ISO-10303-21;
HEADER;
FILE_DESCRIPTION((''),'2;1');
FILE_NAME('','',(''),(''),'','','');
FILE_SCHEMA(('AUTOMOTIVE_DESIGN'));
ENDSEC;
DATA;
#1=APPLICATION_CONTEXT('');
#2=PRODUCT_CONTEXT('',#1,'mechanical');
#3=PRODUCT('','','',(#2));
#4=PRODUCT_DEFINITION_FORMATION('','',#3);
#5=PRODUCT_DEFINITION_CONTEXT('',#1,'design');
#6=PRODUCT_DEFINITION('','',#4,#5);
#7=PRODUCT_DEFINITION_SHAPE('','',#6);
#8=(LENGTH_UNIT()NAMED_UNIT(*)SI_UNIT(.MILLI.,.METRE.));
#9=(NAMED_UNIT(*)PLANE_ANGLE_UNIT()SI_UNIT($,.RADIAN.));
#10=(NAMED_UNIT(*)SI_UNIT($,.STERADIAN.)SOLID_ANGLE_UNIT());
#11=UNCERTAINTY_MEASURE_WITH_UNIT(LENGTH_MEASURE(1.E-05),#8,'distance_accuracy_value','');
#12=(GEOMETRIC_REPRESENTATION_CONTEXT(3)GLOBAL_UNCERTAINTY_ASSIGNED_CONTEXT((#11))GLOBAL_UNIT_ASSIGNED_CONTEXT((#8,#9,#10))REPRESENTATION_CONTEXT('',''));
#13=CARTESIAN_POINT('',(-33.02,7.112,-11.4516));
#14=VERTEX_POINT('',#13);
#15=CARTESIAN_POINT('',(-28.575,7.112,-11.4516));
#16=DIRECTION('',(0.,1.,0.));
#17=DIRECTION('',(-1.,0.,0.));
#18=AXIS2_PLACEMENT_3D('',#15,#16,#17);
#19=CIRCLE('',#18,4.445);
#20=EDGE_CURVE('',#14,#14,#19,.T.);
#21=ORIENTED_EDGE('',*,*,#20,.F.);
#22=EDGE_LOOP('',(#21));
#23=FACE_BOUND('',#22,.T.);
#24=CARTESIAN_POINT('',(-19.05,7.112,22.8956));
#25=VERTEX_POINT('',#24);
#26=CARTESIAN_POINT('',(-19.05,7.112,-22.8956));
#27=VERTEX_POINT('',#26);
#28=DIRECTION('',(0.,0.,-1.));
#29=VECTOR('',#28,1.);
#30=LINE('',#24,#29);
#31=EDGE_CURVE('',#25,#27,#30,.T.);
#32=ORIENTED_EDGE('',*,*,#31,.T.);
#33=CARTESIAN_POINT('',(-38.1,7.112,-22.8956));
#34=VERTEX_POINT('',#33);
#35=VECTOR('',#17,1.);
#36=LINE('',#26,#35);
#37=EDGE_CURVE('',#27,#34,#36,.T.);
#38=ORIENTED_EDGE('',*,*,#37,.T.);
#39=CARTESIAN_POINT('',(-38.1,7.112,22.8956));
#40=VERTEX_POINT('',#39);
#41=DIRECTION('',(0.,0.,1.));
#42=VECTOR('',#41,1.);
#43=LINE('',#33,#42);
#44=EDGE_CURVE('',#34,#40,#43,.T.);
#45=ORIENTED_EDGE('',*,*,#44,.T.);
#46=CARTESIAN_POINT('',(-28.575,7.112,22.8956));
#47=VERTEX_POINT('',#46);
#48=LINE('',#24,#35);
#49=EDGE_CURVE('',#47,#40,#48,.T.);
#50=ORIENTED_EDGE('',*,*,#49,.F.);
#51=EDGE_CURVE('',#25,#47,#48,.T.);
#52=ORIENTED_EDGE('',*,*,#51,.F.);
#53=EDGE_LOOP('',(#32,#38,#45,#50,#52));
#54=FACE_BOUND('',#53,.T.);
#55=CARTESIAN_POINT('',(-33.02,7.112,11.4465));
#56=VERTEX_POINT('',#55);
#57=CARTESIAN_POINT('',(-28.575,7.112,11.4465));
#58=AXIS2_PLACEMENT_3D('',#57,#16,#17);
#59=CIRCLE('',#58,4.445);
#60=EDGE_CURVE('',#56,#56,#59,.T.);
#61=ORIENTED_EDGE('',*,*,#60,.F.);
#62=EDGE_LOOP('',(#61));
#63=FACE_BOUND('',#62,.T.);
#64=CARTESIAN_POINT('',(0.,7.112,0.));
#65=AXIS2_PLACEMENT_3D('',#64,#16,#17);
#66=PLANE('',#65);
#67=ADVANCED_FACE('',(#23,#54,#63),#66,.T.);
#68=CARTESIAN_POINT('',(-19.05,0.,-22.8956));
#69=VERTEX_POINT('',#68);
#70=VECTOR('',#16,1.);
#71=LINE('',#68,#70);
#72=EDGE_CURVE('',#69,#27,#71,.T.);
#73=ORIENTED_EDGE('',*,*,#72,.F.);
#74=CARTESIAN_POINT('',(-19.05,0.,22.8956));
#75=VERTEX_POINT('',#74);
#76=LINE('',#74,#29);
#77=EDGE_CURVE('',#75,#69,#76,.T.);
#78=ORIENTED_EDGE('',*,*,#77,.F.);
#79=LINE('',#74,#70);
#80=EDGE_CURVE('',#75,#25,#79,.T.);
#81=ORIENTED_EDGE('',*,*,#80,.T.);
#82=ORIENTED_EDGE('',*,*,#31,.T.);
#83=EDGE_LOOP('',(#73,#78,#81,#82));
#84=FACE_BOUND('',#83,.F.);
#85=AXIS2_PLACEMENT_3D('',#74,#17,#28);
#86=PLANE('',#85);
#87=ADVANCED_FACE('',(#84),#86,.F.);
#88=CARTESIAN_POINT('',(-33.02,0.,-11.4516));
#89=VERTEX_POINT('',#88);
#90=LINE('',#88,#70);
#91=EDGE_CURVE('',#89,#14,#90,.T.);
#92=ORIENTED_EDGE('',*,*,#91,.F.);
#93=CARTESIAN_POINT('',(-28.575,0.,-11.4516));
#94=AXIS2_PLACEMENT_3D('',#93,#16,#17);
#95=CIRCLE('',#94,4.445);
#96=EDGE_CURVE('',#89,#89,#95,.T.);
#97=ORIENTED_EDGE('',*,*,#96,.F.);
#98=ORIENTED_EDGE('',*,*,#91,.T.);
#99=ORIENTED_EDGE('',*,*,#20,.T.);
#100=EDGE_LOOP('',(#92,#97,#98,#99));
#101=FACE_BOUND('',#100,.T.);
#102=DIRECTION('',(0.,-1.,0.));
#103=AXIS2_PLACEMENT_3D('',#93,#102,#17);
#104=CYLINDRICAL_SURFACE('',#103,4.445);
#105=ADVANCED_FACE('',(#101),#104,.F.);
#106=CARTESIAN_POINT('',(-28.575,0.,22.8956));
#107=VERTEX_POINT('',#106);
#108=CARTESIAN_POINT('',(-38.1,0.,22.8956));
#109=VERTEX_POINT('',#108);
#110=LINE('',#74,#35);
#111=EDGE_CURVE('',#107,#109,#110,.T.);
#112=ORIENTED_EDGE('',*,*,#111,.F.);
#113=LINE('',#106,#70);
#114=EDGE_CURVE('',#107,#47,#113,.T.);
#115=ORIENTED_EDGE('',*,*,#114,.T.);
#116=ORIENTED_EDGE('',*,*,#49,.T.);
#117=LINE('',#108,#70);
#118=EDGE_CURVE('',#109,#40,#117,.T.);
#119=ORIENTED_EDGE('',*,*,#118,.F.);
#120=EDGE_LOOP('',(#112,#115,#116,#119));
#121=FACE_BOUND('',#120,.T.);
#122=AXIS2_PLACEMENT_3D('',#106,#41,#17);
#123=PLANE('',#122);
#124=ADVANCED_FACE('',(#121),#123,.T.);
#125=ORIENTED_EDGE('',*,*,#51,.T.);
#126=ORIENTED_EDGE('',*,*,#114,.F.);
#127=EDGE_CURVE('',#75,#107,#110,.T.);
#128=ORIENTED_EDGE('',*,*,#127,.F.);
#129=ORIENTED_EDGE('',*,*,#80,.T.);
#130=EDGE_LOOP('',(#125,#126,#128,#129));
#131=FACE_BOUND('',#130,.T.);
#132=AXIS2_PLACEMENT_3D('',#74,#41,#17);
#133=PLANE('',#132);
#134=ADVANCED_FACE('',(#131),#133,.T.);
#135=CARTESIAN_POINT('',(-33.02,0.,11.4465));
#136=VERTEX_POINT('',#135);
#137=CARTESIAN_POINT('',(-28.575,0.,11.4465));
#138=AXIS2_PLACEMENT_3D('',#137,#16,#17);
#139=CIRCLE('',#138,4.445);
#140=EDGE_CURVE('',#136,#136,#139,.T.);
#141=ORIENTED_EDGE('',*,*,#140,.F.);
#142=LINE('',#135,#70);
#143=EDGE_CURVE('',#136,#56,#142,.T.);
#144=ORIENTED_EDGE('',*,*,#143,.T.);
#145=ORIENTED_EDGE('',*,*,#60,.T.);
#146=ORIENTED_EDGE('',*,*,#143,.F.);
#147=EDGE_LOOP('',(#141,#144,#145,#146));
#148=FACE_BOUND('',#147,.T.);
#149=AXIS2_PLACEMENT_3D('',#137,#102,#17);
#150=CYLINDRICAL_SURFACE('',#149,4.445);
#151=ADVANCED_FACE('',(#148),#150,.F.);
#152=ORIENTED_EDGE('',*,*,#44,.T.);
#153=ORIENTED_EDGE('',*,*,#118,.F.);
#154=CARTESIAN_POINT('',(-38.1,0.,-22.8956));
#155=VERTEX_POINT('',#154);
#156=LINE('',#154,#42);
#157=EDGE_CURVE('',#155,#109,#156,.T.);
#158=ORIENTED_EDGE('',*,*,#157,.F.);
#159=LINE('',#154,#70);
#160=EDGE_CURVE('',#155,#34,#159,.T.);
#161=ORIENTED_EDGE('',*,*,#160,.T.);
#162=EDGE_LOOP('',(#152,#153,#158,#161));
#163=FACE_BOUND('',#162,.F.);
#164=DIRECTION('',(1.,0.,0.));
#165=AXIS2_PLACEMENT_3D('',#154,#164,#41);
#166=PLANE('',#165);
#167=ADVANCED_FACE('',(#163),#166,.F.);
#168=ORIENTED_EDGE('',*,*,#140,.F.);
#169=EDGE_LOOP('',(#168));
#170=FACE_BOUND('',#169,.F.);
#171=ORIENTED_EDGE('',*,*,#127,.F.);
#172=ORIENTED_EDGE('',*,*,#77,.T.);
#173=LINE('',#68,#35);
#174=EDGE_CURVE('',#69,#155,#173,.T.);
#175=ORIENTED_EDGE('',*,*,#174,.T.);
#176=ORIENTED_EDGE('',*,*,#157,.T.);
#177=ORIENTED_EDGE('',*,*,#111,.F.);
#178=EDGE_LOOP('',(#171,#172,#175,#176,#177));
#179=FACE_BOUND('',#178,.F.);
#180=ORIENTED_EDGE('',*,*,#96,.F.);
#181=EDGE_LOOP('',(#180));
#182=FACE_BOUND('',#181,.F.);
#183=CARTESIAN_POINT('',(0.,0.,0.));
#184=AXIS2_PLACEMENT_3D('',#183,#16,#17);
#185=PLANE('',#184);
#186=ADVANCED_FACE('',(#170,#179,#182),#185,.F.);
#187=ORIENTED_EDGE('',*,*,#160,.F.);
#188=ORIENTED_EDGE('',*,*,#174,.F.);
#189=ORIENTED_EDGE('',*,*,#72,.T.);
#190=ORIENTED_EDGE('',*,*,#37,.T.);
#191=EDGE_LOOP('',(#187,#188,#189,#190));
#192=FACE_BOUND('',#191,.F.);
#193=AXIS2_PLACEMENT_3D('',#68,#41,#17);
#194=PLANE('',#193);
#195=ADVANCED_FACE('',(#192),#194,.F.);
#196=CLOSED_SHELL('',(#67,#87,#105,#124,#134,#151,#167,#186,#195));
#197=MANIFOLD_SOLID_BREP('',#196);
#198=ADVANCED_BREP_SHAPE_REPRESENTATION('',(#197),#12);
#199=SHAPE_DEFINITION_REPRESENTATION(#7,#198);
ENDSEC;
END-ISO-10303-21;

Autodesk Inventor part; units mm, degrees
ref_plane "YZ Plane" through (0, 0, 0) normal (1, 0, 0) x (0, 1, 0)
ref_plane "XZ Plane" through (0, 0, 0) normal (0, 1, 0) x (-1, 0, 0)
ref_plane "XY Plane" through (0, 0, 0) normal (0, 0, 1) x (1, 0, 0)
sketch "Sketch1" plane through (0, 0, 0) normal (0, 1, 0) x (-1, 0, 0)
  line L0 (19.05, 22.8956) -> (38.1, 22.8956)
  line L1 (38.1, 22.8956) -> (19.05, 22.8956)
  line L2 (19.05, -22.8956) -> (38.1, -22.8956)
  line L3 (38.1, -22.8956) -> (38.1, 22.8956)
  line L4 (38.1, 22.8956) -> (19.05, 22.8956)
  line L5 (19.05, 22.8956) -> (19.05, -22.8956)
  line L6 (38.1, 22.8956) -> (28.575, 22.8956)
  circle A0 centre (28.575, 11.4465) radius 4.445
  circle A1 centre (28.575, -11.4516) radius 4.445
  dimension "d6" = 45.7911
  dimension "d7" = 19.05
  dimension "d8" = 19.05
  dimension "d9" = 9.525
  dimension "d13" = 8.89
extrude "Extrusion1" add sketch "Sketch1" along normal blind 7.112
properties part number "BracketOfTheBracket"
